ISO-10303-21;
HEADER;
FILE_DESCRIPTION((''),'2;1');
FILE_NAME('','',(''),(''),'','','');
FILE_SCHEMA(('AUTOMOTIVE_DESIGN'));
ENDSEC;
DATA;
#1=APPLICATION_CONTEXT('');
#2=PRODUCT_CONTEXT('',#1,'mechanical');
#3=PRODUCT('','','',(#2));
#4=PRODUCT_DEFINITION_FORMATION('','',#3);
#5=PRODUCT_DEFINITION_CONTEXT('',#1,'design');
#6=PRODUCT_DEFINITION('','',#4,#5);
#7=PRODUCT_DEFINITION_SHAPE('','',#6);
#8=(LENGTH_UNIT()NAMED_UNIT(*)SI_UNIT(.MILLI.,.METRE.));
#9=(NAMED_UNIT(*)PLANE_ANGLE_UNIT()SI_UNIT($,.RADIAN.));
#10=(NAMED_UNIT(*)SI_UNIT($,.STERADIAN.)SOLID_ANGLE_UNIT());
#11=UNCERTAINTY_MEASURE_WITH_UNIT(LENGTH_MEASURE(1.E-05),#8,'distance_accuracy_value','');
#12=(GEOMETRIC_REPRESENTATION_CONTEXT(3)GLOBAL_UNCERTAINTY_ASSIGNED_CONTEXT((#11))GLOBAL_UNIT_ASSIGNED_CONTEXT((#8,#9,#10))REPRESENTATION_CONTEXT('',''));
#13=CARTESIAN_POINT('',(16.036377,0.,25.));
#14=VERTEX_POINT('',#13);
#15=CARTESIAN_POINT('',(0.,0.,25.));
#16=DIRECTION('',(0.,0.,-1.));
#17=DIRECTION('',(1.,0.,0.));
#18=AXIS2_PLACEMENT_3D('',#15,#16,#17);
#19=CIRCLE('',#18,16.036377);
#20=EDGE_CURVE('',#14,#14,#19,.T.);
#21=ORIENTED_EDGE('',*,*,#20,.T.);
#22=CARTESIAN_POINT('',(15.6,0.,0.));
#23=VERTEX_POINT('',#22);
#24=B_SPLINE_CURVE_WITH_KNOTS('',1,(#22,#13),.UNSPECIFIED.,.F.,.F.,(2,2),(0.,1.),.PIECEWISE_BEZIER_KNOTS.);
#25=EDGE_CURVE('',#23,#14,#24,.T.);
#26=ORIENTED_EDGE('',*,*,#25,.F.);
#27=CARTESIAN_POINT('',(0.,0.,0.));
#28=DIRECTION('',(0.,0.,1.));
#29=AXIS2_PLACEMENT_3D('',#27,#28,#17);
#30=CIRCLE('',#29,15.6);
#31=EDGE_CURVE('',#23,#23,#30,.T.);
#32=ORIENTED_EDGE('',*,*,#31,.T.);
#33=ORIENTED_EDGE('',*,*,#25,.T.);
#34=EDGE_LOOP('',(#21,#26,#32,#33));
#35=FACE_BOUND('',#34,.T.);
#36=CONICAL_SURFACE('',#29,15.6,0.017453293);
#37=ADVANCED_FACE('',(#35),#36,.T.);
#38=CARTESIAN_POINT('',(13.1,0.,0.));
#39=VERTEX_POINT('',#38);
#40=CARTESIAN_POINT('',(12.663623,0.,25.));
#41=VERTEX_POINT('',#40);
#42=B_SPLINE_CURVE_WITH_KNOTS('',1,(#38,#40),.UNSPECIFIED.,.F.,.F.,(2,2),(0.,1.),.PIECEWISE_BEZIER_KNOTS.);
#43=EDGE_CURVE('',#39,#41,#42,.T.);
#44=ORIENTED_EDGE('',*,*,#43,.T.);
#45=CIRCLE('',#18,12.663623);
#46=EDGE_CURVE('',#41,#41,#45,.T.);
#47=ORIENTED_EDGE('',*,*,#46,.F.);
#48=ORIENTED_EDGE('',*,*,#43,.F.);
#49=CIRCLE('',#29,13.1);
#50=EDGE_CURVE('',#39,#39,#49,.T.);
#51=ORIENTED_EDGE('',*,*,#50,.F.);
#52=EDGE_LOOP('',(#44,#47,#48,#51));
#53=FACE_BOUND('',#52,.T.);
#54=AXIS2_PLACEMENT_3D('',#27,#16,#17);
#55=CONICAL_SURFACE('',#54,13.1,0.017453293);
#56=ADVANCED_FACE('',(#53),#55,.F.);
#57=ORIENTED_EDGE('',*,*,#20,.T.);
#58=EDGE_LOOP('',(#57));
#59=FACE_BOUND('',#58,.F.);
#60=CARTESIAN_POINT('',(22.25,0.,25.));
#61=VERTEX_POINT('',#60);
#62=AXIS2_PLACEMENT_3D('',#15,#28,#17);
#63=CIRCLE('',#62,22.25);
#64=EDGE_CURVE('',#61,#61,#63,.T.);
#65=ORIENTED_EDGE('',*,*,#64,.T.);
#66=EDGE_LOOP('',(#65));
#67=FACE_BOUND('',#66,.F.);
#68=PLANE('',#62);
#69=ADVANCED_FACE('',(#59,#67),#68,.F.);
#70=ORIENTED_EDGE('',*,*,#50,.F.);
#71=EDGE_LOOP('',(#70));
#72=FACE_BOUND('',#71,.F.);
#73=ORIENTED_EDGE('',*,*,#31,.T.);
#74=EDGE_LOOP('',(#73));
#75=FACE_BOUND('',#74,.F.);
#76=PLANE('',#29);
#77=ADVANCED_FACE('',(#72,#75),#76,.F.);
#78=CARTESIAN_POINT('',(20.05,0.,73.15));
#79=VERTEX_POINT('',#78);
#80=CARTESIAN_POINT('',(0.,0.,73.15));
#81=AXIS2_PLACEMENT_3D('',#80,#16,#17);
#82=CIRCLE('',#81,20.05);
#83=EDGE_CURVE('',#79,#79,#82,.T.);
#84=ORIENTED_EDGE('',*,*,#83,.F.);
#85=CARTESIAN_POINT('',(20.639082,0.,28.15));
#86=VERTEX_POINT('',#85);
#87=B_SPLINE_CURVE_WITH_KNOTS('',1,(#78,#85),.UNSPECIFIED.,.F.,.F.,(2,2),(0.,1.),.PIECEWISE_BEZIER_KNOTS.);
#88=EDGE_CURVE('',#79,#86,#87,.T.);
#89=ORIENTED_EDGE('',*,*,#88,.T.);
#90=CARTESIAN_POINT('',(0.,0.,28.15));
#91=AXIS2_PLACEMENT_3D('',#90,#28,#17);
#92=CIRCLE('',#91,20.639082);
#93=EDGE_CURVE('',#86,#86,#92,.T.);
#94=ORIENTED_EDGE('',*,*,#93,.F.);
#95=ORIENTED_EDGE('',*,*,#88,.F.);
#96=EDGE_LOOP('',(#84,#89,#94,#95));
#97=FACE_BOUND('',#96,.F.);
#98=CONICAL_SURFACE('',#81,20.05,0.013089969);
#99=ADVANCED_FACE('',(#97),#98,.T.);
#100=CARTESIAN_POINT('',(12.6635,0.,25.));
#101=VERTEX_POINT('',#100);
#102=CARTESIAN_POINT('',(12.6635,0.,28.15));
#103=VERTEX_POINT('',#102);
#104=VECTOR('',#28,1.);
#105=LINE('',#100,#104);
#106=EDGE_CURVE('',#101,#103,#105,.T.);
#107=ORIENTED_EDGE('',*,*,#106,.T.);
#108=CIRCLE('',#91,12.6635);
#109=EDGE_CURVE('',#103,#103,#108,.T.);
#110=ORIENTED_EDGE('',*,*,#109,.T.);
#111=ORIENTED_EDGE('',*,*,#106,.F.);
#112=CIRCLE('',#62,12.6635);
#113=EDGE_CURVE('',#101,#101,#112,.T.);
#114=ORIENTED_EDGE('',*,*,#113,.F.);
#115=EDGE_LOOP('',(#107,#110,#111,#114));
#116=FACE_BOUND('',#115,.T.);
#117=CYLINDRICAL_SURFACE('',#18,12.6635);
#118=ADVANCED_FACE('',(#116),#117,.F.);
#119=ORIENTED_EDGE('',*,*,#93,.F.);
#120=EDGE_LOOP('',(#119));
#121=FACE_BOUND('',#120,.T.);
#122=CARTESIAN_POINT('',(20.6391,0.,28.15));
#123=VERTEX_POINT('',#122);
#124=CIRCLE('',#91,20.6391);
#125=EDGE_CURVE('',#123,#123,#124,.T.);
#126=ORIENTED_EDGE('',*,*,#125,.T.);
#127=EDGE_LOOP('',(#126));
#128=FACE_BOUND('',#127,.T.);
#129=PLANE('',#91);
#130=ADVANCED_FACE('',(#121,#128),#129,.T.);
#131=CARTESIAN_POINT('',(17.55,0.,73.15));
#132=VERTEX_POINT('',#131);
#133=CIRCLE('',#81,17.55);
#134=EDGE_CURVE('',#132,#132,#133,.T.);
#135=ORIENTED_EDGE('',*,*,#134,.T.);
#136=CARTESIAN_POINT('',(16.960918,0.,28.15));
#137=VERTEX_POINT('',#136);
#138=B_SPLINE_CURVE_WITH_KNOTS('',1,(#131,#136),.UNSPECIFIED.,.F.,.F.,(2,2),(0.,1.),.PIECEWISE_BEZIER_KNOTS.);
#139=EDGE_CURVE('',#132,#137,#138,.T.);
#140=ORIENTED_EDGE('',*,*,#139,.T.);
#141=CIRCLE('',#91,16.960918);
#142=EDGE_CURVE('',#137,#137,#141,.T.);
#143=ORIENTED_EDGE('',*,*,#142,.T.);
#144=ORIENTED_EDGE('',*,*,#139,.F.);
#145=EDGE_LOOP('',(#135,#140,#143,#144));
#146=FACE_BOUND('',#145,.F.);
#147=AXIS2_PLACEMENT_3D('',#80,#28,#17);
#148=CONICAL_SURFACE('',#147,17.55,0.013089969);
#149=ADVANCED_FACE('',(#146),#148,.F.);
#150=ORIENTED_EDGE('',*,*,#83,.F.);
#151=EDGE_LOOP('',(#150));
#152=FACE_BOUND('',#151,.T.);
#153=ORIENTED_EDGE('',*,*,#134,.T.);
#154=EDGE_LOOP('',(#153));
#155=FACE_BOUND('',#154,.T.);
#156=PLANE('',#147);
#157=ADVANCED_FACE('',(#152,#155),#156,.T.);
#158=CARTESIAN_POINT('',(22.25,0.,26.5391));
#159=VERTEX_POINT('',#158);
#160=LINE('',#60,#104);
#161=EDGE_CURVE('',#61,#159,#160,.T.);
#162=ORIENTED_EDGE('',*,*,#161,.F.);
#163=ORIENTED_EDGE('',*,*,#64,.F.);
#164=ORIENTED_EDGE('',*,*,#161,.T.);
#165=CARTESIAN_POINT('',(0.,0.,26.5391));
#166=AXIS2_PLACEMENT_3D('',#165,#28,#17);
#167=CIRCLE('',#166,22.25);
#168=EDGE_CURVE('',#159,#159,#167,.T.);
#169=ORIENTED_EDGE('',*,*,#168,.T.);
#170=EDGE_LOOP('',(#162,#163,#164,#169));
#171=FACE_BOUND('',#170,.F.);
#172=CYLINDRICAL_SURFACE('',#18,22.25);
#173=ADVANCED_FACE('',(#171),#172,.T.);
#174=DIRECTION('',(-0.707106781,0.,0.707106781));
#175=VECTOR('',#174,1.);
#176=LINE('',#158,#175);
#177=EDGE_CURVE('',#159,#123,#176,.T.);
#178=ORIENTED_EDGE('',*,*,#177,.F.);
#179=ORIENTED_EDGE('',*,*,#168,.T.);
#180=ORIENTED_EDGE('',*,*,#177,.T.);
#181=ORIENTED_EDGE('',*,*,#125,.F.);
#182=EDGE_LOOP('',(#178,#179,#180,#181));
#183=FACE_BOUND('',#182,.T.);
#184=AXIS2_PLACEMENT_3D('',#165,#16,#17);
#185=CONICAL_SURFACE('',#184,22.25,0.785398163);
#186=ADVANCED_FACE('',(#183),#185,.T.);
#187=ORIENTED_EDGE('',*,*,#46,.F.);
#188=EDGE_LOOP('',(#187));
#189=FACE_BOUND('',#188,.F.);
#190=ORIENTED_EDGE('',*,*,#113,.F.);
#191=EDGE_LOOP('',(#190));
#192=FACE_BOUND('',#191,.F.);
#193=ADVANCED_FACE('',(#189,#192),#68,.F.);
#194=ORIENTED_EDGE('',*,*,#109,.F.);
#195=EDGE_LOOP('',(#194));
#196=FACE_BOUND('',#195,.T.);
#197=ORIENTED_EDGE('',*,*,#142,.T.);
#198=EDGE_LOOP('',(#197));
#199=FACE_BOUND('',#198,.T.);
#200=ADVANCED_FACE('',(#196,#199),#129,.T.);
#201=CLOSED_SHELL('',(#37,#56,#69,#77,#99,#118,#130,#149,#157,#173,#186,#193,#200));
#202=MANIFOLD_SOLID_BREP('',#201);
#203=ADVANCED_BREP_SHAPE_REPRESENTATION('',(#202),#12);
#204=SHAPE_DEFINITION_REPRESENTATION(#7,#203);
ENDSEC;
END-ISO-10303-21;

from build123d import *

# Parameters (mm, degrees)
F0_R     = 15.6
F0_R_2   = 13.1
F1_DEPTH = 25
F1_TAPER = -1
F2_R     = 22.25
F2_R_2   = 12.6635
F3_DEPTH = 3.15
F5_R     = 20.05
F5_R_2   = 17.55
F6_DEPTH = 45
F6_TAPER = -0.75
F7_SIZE  = 1.6109


with BuildPart() as f1:
    # F0 (on Top) → F1 (new body)
    with BuildSketch(Plane.XY):
        Circle(F0_R)
        Circle(F0_R_2, mode=Mode.SUBTRACT)
    extrude(amount=F1_DEPTH, taper=F1_TAPER)

    # F2 (on face) → F3 (join)
    with BuildSketch(Plane.XY.offset(25)):
        Circle(F2_R)
        Circle(F2_R_2, mode=Mode.SUBTRACT)
    extrude(amount=F3_DEPTH)

    # F5 (on offset) → F6 (join, through all)
    with BuildSketch(Plane.XY.offset(73.15)):
        Circle(F5_R)
        Circle(F5_R_2, mode=Mode.SUBTRACT)
    extrude(amount=-F6_DEPTH, taper=F6_TAPER)

    # F7
    f7_edges = [f1.edges().sort_by_distance(p)[0] for p in [
        (-22.25, 0, 28.15),
    ]]
    chamfer(f7_edges, length=F7_SIZE)


solid = f1.part
